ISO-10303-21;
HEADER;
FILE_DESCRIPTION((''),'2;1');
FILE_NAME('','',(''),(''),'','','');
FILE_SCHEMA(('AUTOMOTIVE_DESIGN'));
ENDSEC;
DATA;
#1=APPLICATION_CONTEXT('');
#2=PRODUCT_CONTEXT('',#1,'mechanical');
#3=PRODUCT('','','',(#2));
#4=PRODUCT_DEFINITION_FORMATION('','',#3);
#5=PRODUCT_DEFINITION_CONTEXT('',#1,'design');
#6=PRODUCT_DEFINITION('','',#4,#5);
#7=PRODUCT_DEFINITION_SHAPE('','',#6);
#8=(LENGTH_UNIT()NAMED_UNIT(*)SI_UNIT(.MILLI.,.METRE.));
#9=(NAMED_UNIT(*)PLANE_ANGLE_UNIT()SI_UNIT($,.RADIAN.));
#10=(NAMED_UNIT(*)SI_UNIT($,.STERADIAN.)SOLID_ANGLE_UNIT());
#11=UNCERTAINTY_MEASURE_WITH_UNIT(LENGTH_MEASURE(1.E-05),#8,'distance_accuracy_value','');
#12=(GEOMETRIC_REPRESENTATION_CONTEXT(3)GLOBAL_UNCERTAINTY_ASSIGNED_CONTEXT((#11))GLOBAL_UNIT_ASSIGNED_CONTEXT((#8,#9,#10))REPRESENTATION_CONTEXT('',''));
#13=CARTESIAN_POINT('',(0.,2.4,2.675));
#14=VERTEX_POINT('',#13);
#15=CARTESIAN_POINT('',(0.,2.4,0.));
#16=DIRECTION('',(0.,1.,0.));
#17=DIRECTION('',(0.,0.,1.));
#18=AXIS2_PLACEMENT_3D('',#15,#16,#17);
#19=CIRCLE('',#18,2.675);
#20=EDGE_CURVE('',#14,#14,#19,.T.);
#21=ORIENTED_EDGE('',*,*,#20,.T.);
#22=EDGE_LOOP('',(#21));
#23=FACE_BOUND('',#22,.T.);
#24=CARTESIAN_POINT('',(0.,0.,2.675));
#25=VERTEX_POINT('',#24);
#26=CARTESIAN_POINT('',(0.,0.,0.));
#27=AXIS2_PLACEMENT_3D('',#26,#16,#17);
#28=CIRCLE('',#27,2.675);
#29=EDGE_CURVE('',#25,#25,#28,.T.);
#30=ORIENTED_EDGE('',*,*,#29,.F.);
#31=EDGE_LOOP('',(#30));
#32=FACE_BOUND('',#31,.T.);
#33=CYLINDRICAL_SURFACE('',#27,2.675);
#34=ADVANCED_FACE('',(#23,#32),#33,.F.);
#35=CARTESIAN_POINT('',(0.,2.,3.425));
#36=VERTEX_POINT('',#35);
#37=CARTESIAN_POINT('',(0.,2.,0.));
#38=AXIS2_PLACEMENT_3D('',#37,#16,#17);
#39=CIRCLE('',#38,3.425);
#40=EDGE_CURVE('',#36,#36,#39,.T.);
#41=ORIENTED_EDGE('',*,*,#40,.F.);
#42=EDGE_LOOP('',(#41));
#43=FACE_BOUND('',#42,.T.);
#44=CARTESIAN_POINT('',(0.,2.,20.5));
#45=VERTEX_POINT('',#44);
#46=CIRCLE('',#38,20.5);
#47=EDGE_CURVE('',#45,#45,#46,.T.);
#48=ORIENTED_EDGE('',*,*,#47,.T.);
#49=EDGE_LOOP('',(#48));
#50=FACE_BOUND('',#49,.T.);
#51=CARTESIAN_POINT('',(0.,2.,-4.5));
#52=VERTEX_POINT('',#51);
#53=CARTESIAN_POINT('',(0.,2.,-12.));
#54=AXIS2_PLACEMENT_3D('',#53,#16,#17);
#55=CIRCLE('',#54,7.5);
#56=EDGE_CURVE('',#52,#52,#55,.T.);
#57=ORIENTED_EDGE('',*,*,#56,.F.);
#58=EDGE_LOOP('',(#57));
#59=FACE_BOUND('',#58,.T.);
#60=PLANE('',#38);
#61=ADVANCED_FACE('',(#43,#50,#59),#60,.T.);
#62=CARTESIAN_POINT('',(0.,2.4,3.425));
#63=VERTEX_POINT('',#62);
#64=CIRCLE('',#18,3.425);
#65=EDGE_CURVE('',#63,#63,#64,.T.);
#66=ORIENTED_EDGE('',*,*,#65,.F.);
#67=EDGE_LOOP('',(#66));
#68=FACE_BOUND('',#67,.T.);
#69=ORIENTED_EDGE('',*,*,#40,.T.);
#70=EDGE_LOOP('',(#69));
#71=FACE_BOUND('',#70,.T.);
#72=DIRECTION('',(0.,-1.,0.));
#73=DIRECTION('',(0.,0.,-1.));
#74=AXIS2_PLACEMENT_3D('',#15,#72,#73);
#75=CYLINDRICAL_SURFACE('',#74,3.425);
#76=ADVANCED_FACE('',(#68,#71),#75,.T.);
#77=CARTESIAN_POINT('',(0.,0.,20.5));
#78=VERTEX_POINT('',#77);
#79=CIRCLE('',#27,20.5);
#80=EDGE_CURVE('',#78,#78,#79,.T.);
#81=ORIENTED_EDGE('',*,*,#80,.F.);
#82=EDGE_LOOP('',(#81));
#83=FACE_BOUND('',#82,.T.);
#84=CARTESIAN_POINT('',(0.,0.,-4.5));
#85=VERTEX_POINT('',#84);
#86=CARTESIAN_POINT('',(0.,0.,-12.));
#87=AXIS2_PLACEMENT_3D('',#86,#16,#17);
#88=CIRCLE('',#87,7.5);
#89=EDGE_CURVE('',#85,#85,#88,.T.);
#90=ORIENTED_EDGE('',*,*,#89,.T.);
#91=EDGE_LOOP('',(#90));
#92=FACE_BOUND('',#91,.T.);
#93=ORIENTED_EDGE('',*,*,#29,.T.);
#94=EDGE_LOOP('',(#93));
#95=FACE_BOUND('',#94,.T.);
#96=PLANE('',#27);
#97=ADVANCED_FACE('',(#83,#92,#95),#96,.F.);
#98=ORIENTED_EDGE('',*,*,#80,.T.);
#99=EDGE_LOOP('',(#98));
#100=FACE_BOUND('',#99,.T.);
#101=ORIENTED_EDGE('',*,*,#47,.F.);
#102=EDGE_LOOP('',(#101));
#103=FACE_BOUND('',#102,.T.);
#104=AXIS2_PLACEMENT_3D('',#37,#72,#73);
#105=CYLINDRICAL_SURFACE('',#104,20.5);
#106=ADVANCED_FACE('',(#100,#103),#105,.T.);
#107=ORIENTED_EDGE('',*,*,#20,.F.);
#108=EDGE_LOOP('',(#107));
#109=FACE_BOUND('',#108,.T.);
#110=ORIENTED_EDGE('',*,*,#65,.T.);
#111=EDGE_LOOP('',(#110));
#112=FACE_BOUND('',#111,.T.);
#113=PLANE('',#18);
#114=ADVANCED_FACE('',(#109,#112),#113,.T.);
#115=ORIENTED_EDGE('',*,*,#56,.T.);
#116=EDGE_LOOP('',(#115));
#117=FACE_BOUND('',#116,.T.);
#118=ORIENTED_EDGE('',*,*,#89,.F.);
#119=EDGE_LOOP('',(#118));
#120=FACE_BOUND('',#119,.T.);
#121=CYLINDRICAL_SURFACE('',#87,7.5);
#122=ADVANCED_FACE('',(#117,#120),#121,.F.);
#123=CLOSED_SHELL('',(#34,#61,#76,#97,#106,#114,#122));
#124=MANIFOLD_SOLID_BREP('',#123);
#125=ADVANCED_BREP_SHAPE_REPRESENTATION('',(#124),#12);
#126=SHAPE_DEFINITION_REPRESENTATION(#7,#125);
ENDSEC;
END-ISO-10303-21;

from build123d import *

# Parameters (mm, degrees)
SKETCH1_R           = 20.5
BOSS_EXTRUDE1_DEPTH = 2
SKETCH2_R           = 2.675
CUT_EXTRUDE1_DEPTH  = 2
BOSS_EXTRUDE2_START = 0.4
SKETCH3_R           = 3.425
SKETCH3_R_2         = 2.675
BOSS_EXTRUDE2_DEPTH = 0.4
SKETCH5_R           = 7.5
CUT_EXTRUDE3_DEPTH  = 2


with BuildPart() as part:
    # Sketch1 → Boss-Extrude1 (new body)
    with BuildSketch(Plane(origin=(0, 0, 0), x_dir=(1, 0, 0), z_dir=(0, 1, 0))):
        with Locations(Location((0, 0, 0), (0, 0, 270))):
            Circle(SKETCH1_R)
    extrude(amount=BOSS_EXTRUDE1_DEPTH)

    # Sketch2 → Cut-Extrude1 (cut)
    with BuildSketch(Plane(origin=(0, 2, 0), x_dir=(1, 0, 0), z_dir=(0, 1, 0))):
        with Locations(Location((0, 0, 0), (0, 0, 270))):
            Circle(SKETCH2_R)
    extrude(amount=-CUT_EXTRUDE1_DEPTH, mode=Mode.SUBTRACT)

    # Sketch3 → Boss-Extrude2 (add)
    with BuildSketch(Plane(origin=(0, 2, 0), x_dir=(1, 0, 0), z_dir=(0, 1, 0)).offset(BOSS_EXTRUDE2_START)):
        with Locations(Location((0, 0, 0), (0, 0, 270))):
            Circle(SKETCH3_R)
        with Locations(Location((0, 0, 0), (0, 0, 270))):
            Circle(SKETCH3_R_2, mode=Mode.SUBTRACT)
    extrude(amount=-BOSS_EXTRUDE2_DEPTH)

    # Sketch5 → Cut-Extrude3 (cut)
    with BuildSketch(Plane(origin=(0, 2, 0), x_dir=(1, 0, 0), z_dir=(0, 1, 0))):
        with Locations(Location((0, 12, 0), (0, 0, 270))):
            Circle(SKETCH5_R)
    extrude(amount=-CUT_EXTRUDE3_DEPTH, mode=Mode.SUBTRACT)


solid = part.part
